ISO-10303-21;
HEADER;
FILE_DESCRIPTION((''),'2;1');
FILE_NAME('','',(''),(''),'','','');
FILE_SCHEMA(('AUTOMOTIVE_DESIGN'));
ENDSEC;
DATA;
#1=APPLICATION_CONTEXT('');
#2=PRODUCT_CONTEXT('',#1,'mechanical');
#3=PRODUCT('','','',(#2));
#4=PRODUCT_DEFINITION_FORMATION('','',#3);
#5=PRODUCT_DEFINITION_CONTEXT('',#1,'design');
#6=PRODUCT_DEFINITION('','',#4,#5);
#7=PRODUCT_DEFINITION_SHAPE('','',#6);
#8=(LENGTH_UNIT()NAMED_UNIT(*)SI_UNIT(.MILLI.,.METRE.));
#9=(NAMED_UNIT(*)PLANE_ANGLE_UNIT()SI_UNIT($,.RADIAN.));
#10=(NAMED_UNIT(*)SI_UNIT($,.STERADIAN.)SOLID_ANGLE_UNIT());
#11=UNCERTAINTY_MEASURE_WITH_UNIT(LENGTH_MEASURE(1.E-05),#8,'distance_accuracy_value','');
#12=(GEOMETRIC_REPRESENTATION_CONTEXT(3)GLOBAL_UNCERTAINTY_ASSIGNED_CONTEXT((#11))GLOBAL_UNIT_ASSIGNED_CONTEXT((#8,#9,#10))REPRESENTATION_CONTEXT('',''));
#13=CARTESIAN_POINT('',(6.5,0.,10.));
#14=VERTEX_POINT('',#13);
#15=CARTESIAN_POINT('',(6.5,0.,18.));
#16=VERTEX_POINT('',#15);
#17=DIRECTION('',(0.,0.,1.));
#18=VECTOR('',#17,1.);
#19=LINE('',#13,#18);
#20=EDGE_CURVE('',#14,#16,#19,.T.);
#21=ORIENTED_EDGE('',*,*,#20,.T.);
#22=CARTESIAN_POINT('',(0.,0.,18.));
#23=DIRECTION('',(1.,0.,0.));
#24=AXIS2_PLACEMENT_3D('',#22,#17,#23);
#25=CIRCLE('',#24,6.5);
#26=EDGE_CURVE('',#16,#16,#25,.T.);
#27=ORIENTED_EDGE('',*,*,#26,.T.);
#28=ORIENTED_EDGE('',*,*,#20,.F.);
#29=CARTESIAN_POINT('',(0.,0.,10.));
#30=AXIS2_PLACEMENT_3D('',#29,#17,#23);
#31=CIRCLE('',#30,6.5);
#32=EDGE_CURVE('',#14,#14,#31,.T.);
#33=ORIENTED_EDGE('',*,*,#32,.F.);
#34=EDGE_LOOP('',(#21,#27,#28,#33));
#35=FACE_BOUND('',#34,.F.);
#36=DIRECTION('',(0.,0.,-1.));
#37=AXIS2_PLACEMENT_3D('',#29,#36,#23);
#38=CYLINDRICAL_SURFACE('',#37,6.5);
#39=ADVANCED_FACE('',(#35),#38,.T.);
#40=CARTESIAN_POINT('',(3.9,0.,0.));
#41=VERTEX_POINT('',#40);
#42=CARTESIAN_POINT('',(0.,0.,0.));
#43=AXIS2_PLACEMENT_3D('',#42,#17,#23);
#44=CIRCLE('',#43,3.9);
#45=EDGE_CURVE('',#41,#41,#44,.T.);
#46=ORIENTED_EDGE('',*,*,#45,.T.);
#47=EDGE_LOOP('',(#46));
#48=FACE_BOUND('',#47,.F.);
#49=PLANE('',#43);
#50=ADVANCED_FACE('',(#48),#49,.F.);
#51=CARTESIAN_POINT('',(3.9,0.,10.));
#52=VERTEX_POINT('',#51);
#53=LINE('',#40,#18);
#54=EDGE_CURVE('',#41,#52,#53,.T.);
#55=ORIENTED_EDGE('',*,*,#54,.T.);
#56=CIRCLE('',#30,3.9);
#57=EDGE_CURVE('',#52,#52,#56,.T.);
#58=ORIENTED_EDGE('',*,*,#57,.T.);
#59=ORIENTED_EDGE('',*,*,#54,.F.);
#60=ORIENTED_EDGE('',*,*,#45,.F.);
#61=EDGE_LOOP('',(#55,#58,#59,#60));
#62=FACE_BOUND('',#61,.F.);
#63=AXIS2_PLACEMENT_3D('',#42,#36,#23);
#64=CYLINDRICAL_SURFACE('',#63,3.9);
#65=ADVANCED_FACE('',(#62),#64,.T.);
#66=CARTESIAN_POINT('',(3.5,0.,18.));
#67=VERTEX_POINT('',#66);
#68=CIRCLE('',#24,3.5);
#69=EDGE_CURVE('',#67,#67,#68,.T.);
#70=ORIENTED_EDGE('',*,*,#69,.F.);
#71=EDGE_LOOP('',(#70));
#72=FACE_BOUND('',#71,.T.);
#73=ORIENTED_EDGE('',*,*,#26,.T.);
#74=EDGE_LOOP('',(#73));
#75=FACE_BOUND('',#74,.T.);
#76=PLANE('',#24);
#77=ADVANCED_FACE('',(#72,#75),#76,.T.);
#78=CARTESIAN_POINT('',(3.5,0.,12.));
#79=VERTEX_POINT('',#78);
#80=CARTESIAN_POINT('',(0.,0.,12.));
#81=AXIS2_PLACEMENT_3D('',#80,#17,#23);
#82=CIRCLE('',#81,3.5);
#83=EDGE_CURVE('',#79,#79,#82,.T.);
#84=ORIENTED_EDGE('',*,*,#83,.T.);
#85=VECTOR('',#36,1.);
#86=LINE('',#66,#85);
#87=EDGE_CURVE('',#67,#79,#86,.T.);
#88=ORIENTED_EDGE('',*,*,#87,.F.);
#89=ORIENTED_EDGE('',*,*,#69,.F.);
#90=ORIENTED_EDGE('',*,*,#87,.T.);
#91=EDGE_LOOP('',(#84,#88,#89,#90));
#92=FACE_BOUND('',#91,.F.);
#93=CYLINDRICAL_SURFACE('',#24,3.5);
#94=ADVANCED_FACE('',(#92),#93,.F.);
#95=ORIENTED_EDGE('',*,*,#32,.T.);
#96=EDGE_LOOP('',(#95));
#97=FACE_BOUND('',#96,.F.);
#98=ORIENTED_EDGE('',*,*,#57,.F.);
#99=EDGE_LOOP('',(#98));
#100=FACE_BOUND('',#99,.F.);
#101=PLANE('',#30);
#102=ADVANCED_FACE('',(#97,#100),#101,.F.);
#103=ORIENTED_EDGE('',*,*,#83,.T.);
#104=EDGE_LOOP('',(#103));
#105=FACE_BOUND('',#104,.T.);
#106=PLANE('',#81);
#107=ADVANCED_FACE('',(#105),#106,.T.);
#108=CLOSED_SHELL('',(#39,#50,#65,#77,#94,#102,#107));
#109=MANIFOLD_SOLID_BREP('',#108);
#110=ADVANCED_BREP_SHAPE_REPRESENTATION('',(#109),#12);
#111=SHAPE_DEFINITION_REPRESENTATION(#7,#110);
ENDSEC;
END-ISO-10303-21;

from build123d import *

# Parameters (mm, degrees)
SKETCH031_R     = 3.9
PAD003_DEPTH    = 10
SKETCH032_R     = 6.5
PAD004_DEPTH    = 8
SKETCH033_R     = 3.5
POCKET025_DEPTH = 6


with BuildPart() as part:
    # Sketch031 → Pad003 (new body)
    with BuildSketch(Plane.XY):
        Circle(SKETCH031_R)
    extrude(amount=PAD003_DEPTH)

    # Sketch032 → Pad004 (join)
    with BuildSketch(Plane.XY.offset(10)):
        Circle(SKETCH032_R)
    extrude(amount=PAD004_DEPTH)

    # Sketch033 → Pocket025 (cut)
    with BuildSketch(Plane.XY.offset(18)):
        Circle(SKETCH033_R)
    extrude(amount=-POCKET025_DEPTH, mode=Mode.SUBTRACT)


solid = part.part
